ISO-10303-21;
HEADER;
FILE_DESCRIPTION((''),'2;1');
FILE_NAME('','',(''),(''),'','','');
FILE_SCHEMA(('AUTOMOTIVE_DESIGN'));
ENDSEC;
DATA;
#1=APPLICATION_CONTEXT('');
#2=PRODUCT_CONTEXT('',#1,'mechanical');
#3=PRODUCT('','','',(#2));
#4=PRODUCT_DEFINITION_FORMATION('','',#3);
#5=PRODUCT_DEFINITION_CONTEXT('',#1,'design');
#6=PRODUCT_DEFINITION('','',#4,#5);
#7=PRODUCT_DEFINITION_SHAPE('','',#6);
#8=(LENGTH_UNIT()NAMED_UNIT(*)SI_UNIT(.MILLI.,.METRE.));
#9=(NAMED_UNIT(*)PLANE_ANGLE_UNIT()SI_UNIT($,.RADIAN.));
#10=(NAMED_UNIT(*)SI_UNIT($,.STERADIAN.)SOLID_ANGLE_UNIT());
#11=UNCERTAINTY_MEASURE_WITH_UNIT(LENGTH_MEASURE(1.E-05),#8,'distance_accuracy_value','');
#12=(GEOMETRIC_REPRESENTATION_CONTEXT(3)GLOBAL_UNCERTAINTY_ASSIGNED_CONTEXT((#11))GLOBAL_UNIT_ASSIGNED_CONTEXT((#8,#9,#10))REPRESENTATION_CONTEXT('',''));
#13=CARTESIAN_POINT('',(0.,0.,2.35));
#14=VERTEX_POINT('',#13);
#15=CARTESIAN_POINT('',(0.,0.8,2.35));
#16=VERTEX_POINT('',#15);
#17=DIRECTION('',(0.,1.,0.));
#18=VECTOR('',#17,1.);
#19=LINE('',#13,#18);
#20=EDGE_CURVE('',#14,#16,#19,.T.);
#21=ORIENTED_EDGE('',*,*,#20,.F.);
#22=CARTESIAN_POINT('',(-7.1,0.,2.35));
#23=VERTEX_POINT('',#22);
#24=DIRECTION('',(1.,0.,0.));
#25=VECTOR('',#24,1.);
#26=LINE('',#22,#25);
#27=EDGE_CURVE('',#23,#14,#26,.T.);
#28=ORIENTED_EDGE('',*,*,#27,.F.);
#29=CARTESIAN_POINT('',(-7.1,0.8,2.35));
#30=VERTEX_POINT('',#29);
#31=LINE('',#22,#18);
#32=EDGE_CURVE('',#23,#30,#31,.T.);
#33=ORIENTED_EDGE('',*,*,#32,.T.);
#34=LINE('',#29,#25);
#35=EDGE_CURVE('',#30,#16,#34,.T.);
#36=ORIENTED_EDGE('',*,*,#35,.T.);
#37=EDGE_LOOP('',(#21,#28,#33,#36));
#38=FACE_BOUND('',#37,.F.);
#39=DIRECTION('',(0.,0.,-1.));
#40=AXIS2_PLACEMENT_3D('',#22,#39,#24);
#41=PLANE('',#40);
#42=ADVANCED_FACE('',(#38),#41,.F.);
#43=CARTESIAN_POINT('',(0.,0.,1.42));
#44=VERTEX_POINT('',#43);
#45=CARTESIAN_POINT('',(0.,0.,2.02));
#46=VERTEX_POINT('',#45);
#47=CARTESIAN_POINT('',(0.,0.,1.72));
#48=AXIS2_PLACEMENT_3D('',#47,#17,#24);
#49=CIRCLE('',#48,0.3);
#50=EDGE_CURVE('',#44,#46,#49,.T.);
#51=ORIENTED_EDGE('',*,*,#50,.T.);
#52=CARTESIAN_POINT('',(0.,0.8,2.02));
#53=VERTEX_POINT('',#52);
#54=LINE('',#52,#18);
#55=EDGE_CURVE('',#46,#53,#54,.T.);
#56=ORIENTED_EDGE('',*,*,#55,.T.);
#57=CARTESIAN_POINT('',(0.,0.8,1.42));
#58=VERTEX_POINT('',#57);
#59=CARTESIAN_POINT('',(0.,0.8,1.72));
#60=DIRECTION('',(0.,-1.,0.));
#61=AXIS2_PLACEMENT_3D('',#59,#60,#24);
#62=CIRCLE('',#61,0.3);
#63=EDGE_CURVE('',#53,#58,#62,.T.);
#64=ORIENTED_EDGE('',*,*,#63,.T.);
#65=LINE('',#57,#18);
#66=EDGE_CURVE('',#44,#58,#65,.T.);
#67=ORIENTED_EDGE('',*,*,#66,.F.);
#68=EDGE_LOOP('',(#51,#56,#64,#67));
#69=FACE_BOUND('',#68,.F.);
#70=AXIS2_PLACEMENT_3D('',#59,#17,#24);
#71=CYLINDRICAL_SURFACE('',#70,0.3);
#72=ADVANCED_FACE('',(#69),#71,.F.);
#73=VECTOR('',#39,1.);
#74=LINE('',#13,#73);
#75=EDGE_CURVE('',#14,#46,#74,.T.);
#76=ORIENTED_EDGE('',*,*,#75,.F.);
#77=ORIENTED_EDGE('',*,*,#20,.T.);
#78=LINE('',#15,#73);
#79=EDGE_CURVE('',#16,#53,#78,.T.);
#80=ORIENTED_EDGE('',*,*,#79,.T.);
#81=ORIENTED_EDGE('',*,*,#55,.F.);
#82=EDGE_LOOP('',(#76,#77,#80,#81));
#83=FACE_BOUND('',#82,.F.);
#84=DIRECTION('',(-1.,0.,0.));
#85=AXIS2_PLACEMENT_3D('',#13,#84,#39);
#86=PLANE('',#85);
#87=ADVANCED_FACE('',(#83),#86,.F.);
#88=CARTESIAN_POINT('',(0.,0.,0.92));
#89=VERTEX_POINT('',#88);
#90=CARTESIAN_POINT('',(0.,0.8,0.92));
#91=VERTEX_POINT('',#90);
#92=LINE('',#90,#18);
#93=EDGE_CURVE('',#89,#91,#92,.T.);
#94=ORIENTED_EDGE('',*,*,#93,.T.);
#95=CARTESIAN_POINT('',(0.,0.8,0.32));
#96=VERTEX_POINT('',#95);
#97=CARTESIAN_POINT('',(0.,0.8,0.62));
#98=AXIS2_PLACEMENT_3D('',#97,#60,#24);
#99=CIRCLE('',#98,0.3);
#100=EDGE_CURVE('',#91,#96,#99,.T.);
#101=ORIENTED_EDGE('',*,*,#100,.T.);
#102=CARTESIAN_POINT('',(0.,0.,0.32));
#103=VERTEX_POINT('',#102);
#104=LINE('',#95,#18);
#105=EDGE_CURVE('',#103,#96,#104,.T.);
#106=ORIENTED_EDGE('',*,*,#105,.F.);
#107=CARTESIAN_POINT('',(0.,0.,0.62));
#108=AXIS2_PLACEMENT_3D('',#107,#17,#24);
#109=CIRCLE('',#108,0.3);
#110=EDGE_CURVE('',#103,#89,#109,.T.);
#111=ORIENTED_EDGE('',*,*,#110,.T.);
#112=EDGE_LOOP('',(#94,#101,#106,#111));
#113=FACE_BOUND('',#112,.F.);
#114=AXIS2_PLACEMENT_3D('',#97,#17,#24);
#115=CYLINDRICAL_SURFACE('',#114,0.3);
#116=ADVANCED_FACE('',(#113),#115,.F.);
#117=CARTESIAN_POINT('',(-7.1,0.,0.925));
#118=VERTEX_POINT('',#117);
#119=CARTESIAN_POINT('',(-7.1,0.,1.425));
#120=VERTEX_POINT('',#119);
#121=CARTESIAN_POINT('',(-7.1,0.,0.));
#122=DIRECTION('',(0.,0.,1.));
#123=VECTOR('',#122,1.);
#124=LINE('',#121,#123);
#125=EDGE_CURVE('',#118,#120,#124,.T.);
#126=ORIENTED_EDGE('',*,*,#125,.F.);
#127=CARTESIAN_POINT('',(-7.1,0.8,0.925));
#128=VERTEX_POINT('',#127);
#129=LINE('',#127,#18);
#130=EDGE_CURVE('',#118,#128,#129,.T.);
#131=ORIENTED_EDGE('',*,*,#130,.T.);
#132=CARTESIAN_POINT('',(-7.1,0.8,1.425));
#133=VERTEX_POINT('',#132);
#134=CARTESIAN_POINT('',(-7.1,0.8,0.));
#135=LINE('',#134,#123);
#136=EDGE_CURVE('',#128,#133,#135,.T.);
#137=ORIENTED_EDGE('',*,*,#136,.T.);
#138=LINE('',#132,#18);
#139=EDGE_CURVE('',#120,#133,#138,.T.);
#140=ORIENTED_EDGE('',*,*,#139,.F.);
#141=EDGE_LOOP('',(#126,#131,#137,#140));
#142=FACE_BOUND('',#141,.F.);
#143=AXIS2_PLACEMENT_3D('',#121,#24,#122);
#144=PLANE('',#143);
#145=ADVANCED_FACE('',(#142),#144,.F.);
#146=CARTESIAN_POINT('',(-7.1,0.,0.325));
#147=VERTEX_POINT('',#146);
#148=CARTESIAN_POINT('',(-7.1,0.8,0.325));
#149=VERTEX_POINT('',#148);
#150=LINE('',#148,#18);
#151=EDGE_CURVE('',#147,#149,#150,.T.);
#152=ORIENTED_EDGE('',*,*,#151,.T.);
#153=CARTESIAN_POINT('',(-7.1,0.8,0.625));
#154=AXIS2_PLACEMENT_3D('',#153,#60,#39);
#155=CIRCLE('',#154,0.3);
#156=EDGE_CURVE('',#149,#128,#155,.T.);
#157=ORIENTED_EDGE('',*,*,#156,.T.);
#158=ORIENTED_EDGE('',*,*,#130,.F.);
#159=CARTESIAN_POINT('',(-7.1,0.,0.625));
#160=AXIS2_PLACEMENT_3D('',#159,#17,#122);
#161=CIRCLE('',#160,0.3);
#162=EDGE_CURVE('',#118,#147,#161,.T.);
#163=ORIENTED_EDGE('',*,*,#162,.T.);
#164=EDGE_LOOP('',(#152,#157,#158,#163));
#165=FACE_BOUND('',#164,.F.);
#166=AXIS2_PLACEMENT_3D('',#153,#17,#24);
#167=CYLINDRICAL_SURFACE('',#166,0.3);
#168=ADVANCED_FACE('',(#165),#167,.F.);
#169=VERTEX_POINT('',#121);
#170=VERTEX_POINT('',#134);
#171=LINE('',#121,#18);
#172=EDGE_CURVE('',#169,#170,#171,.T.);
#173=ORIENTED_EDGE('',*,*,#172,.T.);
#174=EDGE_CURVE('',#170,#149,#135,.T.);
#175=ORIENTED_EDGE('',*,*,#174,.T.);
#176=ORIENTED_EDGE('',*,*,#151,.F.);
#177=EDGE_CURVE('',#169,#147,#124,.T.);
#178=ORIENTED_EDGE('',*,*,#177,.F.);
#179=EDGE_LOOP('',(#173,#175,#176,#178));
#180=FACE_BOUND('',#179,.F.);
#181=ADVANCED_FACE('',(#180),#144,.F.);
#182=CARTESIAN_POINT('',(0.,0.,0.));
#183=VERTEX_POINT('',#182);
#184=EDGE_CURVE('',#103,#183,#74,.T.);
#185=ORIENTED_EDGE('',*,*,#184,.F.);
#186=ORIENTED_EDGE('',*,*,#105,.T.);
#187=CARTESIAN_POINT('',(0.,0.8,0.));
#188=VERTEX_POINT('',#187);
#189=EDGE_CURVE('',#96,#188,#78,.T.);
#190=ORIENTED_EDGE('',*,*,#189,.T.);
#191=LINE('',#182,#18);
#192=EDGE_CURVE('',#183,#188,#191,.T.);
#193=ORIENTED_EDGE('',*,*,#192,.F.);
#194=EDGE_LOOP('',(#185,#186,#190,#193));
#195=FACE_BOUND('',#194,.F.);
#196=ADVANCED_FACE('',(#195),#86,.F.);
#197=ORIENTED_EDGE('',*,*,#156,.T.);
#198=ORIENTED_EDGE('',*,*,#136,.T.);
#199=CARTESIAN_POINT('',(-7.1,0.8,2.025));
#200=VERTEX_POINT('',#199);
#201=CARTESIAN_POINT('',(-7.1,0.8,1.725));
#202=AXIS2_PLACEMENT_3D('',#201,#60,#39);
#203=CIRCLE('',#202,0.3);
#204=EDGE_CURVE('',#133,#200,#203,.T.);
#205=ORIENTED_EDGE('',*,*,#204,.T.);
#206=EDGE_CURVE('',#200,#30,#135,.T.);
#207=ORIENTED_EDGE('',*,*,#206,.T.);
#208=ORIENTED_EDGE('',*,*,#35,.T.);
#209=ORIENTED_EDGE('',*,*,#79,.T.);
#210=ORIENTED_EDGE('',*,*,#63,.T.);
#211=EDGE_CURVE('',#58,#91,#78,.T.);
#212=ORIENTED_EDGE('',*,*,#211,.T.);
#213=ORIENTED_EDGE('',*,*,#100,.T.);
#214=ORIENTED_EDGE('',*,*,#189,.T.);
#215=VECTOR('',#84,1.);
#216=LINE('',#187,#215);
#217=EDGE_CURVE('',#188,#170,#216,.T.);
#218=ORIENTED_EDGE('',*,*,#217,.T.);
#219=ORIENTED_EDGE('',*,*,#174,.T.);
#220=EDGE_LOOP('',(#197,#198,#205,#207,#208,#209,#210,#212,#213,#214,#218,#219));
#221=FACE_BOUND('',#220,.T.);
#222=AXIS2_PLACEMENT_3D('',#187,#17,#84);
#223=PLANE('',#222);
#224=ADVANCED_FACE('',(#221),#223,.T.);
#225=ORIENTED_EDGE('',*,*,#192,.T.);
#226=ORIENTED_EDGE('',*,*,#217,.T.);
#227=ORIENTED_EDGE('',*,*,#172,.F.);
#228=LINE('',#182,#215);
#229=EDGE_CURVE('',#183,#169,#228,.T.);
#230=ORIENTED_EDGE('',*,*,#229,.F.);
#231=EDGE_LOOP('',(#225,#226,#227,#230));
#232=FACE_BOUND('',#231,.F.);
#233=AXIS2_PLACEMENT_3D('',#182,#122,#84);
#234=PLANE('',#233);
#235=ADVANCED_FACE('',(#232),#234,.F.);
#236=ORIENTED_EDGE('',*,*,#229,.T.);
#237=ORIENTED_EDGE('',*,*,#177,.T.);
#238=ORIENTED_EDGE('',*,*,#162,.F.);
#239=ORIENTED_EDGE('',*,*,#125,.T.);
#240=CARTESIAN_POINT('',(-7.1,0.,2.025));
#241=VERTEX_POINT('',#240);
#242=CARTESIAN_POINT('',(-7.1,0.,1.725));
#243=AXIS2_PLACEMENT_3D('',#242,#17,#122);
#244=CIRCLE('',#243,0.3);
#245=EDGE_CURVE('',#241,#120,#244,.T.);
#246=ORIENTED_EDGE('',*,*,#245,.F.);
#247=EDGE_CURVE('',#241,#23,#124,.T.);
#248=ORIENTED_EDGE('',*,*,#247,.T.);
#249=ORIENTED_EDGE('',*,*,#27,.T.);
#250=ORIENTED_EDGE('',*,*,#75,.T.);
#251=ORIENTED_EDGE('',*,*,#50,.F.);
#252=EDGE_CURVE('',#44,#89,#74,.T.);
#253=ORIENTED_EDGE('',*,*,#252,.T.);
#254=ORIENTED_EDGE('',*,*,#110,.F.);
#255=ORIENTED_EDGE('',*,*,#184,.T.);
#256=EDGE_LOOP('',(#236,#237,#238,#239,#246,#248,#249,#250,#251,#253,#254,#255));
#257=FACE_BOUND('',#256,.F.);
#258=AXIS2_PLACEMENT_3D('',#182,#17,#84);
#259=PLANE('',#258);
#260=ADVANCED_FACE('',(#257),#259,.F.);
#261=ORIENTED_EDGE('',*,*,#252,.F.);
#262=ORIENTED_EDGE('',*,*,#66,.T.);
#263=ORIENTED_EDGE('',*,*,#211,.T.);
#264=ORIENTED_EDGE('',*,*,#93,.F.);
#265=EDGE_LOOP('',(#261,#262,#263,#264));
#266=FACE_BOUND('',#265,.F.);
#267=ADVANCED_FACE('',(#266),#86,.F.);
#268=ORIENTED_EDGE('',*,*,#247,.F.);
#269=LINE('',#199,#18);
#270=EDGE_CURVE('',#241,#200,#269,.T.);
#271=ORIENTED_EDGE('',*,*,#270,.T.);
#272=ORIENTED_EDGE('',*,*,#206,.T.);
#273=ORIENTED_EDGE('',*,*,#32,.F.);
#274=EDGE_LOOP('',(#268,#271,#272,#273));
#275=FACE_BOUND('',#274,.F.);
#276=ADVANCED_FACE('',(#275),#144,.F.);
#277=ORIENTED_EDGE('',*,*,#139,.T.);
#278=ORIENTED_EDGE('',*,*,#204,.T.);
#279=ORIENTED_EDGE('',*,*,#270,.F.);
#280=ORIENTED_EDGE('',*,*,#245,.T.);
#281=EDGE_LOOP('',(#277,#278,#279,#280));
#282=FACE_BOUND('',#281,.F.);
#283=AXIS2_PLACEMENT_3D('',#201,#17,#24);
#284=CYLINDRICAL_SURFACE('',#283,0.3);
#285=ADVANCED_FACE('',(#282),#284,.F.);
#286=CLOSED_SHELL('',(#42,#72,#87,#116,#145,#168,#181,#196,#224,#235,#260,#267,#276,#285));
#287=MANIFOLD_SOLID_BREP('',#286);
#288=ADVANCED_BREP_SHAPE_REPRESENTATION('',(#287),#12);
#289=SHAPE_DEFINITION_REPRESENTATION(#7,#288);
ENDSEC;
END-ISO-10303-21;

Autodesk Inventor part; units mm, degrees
ref_plane "YZ Plane" through (0, 0, 0) normal (1, 0, 0) x (0, 1, 0)
ref_plane "XZ Plane" through (0, 0, 0) normal (0, 1, 0) x (-1, 0, 0)
ref_plane "XY Plane" through (0, 0, 0) normal (0, 0, 1) x (1, 0, 0)
sketch "Skizze1" plane through (0, 0, 0) normal (0, 1, 0) x (-1, 0, 0)
  line L0 (0, 0) -> (7.1, 0)
  line L1 (7.1, 0) -> (7.1, 2.35)
  line L2 (7.1, 2.35) -> (0, 2.35)
  line L3 (0, 2.35) -> (0, 0)
  dimension "d0" = 7.1
  dimension "d1" = 2.35
extrude "Extrusion1" add sketch "Skizze1" along normal blind 0.8
sketch "Skizze2" plane through (0, 0.8, 0) normal (0, 1, 0) x (1, 0, 0)
  line L0 (0, 0) -> (-7.1, 0) projected
  line L1 (-7.1, 0) -> (-7.1, -2.35) projected
  line L2 (0, -2.35) -> (0, 0) projected
  circle A0 centre (0, -0.62) radius 0.3
  circle A1 centre (0, -1.72) radius 0.3
  circle A2 centre (-7.1, -0.625) radius 0.3
  circle A3 centre (-7.1, -1.725) radius 0.3
  dimension "d4" = 0.6
  dimension "d5" = 0.6
  dimension "d6" = 0.6
  dimension "d7" = 0.6
  dimension "d8" = 1.1
  dimension "d9" = 1.1
  dimension "d10" = 0.625
  dimension "d11" = 0.62
extrude "Extrusion2" cut sketch "Skizze2" against normal through all
sketch "Skizze3" plane through (0, 0, 0) normal (0, -1, 0) x (1, 0, 0)
  arc A0 (-7.1, 1.425) -> (-7.1, 2.025) centre (-7.1, 1.725) ccw projected
  line L0 (-7.1, 0.925) -> (-7.1, 1.425) projected
  arc A1 (-7.1, 0.325) -> (-7.1, 0.925) centre (-7.1, 0.625) ccw projected
  line L1 (-7.1, 0) -> (-7.1, 0.325) projected
  line L2 (0, 0) -> (-7.1, 0) projected
  line L3 (0, 0.32) -> (0, 0) projected
  arc A2 (0, 0.92) -> (0, 0.32) centre (0, 0.62) ccw projected
  line L4 (0, 1.42) -> (0, 0.92) projected
  arc A3 (0, 2.02) -> (0, 1.42) centre (0, 1.72) ccw projected
  line L5 (0, 2.35) -> (0, 2.02) projected
  line L6 (-7.1, 2.35) -> (0, 2.35) projected
  line L7 (-7.1, 2.025) -> (-7.1, 2.35) projected
  line L8 (-3.55, 2.35) -> (-3.55, 0)
  line L9 (-3.55, 1.175) -> (0, 1.17)
ref_plane "Arbeitsebene1" through (-3.55, 0, 1.175) normal (0, 0, 1) x (1, 0, 0)
properties part number "bottom_pcb"
